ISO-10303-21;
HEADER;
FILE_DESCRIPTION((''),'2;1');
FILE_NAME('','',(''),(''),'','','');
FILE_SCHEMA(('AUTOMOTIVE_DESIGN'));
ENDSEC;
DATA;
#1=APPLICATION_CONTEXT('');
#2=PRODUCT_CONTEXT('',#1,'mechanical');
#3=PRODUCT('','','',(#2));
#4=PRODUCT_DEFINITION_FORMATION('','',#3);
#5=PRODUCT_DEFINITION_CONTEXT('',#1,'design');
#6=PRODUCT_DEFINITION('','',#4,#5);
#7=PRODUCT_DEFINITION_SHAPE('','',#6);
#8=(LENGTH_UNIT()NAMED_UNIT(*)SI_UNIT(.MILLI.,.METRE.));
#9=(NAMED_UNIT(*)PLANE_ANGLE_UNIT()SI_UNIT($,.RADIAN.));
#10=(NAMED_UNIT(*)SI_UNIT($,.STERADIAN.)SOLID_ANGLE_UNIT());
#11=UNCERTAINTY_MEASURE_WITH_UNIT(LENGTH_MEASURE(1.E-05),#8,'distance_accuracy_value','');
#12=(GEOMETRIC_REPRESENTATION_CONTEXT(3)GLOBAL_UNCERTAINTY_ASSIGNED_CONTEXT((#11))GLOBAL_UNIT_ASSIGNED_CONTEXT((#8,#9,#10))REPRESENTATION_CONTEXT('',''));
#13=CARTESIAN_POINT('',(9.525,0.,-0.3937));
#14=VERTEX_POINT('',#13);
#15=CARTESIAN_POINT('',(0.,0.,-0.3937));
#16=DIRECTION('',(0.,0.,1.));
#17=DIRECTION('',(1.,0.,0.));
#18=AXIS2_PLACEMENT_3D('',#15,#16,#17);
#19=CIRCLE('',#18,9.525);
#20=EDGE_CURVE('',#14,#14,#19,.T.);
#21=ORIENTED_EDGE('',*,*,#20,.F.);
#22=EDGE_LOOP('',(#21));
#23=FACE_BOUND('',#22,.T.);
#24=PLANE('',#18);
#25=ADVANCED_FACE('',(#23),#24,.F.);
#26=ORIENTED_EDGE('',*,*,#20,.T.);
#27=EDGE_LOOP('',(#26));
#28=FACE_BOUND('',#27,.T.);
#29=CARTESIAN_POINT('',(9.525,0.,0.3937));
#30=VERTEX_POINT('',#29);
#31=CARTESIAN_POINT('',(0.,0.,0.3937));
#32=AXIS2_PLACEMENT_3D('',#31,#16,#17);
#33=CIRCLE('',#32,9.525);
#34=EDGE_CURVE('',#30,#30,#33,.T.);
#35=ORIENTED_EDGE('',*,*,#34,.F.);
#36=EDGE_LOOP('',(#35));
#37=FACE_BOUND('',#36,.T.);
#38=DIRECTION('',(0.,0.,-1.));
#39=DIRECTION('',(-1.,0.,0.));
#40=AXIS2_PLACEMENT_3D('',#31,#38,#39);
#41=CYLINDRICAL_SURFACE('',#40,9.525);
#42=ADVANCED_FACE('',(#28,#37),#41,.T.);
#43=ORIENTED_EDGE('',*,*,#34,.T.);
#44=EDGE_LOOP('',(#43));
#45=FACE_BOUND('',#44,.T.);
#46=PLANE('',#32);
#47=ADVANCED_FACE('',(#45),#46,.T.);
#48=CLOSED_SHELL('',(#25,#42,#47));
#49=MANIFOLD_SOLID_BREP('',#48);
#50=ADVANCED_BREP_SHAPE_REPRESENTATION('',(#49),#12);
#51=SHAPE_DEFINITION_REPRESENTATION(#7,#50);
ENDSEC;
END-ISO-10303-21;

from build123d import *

# Parameters (mm, degrees)
SKETCH1_R      = 9.525
EXTRUDE1_DEPTH = 0.3937


with BuildPart() as part:
    # Sketch1 → Extrude1 (new body, symmetric)
    with BuildSketch(Plane.XY):
        Circle(SKETCH1_R)
    extrude(amount=EXTRUDE1_DEPTH, both=True)


solid = part.part
